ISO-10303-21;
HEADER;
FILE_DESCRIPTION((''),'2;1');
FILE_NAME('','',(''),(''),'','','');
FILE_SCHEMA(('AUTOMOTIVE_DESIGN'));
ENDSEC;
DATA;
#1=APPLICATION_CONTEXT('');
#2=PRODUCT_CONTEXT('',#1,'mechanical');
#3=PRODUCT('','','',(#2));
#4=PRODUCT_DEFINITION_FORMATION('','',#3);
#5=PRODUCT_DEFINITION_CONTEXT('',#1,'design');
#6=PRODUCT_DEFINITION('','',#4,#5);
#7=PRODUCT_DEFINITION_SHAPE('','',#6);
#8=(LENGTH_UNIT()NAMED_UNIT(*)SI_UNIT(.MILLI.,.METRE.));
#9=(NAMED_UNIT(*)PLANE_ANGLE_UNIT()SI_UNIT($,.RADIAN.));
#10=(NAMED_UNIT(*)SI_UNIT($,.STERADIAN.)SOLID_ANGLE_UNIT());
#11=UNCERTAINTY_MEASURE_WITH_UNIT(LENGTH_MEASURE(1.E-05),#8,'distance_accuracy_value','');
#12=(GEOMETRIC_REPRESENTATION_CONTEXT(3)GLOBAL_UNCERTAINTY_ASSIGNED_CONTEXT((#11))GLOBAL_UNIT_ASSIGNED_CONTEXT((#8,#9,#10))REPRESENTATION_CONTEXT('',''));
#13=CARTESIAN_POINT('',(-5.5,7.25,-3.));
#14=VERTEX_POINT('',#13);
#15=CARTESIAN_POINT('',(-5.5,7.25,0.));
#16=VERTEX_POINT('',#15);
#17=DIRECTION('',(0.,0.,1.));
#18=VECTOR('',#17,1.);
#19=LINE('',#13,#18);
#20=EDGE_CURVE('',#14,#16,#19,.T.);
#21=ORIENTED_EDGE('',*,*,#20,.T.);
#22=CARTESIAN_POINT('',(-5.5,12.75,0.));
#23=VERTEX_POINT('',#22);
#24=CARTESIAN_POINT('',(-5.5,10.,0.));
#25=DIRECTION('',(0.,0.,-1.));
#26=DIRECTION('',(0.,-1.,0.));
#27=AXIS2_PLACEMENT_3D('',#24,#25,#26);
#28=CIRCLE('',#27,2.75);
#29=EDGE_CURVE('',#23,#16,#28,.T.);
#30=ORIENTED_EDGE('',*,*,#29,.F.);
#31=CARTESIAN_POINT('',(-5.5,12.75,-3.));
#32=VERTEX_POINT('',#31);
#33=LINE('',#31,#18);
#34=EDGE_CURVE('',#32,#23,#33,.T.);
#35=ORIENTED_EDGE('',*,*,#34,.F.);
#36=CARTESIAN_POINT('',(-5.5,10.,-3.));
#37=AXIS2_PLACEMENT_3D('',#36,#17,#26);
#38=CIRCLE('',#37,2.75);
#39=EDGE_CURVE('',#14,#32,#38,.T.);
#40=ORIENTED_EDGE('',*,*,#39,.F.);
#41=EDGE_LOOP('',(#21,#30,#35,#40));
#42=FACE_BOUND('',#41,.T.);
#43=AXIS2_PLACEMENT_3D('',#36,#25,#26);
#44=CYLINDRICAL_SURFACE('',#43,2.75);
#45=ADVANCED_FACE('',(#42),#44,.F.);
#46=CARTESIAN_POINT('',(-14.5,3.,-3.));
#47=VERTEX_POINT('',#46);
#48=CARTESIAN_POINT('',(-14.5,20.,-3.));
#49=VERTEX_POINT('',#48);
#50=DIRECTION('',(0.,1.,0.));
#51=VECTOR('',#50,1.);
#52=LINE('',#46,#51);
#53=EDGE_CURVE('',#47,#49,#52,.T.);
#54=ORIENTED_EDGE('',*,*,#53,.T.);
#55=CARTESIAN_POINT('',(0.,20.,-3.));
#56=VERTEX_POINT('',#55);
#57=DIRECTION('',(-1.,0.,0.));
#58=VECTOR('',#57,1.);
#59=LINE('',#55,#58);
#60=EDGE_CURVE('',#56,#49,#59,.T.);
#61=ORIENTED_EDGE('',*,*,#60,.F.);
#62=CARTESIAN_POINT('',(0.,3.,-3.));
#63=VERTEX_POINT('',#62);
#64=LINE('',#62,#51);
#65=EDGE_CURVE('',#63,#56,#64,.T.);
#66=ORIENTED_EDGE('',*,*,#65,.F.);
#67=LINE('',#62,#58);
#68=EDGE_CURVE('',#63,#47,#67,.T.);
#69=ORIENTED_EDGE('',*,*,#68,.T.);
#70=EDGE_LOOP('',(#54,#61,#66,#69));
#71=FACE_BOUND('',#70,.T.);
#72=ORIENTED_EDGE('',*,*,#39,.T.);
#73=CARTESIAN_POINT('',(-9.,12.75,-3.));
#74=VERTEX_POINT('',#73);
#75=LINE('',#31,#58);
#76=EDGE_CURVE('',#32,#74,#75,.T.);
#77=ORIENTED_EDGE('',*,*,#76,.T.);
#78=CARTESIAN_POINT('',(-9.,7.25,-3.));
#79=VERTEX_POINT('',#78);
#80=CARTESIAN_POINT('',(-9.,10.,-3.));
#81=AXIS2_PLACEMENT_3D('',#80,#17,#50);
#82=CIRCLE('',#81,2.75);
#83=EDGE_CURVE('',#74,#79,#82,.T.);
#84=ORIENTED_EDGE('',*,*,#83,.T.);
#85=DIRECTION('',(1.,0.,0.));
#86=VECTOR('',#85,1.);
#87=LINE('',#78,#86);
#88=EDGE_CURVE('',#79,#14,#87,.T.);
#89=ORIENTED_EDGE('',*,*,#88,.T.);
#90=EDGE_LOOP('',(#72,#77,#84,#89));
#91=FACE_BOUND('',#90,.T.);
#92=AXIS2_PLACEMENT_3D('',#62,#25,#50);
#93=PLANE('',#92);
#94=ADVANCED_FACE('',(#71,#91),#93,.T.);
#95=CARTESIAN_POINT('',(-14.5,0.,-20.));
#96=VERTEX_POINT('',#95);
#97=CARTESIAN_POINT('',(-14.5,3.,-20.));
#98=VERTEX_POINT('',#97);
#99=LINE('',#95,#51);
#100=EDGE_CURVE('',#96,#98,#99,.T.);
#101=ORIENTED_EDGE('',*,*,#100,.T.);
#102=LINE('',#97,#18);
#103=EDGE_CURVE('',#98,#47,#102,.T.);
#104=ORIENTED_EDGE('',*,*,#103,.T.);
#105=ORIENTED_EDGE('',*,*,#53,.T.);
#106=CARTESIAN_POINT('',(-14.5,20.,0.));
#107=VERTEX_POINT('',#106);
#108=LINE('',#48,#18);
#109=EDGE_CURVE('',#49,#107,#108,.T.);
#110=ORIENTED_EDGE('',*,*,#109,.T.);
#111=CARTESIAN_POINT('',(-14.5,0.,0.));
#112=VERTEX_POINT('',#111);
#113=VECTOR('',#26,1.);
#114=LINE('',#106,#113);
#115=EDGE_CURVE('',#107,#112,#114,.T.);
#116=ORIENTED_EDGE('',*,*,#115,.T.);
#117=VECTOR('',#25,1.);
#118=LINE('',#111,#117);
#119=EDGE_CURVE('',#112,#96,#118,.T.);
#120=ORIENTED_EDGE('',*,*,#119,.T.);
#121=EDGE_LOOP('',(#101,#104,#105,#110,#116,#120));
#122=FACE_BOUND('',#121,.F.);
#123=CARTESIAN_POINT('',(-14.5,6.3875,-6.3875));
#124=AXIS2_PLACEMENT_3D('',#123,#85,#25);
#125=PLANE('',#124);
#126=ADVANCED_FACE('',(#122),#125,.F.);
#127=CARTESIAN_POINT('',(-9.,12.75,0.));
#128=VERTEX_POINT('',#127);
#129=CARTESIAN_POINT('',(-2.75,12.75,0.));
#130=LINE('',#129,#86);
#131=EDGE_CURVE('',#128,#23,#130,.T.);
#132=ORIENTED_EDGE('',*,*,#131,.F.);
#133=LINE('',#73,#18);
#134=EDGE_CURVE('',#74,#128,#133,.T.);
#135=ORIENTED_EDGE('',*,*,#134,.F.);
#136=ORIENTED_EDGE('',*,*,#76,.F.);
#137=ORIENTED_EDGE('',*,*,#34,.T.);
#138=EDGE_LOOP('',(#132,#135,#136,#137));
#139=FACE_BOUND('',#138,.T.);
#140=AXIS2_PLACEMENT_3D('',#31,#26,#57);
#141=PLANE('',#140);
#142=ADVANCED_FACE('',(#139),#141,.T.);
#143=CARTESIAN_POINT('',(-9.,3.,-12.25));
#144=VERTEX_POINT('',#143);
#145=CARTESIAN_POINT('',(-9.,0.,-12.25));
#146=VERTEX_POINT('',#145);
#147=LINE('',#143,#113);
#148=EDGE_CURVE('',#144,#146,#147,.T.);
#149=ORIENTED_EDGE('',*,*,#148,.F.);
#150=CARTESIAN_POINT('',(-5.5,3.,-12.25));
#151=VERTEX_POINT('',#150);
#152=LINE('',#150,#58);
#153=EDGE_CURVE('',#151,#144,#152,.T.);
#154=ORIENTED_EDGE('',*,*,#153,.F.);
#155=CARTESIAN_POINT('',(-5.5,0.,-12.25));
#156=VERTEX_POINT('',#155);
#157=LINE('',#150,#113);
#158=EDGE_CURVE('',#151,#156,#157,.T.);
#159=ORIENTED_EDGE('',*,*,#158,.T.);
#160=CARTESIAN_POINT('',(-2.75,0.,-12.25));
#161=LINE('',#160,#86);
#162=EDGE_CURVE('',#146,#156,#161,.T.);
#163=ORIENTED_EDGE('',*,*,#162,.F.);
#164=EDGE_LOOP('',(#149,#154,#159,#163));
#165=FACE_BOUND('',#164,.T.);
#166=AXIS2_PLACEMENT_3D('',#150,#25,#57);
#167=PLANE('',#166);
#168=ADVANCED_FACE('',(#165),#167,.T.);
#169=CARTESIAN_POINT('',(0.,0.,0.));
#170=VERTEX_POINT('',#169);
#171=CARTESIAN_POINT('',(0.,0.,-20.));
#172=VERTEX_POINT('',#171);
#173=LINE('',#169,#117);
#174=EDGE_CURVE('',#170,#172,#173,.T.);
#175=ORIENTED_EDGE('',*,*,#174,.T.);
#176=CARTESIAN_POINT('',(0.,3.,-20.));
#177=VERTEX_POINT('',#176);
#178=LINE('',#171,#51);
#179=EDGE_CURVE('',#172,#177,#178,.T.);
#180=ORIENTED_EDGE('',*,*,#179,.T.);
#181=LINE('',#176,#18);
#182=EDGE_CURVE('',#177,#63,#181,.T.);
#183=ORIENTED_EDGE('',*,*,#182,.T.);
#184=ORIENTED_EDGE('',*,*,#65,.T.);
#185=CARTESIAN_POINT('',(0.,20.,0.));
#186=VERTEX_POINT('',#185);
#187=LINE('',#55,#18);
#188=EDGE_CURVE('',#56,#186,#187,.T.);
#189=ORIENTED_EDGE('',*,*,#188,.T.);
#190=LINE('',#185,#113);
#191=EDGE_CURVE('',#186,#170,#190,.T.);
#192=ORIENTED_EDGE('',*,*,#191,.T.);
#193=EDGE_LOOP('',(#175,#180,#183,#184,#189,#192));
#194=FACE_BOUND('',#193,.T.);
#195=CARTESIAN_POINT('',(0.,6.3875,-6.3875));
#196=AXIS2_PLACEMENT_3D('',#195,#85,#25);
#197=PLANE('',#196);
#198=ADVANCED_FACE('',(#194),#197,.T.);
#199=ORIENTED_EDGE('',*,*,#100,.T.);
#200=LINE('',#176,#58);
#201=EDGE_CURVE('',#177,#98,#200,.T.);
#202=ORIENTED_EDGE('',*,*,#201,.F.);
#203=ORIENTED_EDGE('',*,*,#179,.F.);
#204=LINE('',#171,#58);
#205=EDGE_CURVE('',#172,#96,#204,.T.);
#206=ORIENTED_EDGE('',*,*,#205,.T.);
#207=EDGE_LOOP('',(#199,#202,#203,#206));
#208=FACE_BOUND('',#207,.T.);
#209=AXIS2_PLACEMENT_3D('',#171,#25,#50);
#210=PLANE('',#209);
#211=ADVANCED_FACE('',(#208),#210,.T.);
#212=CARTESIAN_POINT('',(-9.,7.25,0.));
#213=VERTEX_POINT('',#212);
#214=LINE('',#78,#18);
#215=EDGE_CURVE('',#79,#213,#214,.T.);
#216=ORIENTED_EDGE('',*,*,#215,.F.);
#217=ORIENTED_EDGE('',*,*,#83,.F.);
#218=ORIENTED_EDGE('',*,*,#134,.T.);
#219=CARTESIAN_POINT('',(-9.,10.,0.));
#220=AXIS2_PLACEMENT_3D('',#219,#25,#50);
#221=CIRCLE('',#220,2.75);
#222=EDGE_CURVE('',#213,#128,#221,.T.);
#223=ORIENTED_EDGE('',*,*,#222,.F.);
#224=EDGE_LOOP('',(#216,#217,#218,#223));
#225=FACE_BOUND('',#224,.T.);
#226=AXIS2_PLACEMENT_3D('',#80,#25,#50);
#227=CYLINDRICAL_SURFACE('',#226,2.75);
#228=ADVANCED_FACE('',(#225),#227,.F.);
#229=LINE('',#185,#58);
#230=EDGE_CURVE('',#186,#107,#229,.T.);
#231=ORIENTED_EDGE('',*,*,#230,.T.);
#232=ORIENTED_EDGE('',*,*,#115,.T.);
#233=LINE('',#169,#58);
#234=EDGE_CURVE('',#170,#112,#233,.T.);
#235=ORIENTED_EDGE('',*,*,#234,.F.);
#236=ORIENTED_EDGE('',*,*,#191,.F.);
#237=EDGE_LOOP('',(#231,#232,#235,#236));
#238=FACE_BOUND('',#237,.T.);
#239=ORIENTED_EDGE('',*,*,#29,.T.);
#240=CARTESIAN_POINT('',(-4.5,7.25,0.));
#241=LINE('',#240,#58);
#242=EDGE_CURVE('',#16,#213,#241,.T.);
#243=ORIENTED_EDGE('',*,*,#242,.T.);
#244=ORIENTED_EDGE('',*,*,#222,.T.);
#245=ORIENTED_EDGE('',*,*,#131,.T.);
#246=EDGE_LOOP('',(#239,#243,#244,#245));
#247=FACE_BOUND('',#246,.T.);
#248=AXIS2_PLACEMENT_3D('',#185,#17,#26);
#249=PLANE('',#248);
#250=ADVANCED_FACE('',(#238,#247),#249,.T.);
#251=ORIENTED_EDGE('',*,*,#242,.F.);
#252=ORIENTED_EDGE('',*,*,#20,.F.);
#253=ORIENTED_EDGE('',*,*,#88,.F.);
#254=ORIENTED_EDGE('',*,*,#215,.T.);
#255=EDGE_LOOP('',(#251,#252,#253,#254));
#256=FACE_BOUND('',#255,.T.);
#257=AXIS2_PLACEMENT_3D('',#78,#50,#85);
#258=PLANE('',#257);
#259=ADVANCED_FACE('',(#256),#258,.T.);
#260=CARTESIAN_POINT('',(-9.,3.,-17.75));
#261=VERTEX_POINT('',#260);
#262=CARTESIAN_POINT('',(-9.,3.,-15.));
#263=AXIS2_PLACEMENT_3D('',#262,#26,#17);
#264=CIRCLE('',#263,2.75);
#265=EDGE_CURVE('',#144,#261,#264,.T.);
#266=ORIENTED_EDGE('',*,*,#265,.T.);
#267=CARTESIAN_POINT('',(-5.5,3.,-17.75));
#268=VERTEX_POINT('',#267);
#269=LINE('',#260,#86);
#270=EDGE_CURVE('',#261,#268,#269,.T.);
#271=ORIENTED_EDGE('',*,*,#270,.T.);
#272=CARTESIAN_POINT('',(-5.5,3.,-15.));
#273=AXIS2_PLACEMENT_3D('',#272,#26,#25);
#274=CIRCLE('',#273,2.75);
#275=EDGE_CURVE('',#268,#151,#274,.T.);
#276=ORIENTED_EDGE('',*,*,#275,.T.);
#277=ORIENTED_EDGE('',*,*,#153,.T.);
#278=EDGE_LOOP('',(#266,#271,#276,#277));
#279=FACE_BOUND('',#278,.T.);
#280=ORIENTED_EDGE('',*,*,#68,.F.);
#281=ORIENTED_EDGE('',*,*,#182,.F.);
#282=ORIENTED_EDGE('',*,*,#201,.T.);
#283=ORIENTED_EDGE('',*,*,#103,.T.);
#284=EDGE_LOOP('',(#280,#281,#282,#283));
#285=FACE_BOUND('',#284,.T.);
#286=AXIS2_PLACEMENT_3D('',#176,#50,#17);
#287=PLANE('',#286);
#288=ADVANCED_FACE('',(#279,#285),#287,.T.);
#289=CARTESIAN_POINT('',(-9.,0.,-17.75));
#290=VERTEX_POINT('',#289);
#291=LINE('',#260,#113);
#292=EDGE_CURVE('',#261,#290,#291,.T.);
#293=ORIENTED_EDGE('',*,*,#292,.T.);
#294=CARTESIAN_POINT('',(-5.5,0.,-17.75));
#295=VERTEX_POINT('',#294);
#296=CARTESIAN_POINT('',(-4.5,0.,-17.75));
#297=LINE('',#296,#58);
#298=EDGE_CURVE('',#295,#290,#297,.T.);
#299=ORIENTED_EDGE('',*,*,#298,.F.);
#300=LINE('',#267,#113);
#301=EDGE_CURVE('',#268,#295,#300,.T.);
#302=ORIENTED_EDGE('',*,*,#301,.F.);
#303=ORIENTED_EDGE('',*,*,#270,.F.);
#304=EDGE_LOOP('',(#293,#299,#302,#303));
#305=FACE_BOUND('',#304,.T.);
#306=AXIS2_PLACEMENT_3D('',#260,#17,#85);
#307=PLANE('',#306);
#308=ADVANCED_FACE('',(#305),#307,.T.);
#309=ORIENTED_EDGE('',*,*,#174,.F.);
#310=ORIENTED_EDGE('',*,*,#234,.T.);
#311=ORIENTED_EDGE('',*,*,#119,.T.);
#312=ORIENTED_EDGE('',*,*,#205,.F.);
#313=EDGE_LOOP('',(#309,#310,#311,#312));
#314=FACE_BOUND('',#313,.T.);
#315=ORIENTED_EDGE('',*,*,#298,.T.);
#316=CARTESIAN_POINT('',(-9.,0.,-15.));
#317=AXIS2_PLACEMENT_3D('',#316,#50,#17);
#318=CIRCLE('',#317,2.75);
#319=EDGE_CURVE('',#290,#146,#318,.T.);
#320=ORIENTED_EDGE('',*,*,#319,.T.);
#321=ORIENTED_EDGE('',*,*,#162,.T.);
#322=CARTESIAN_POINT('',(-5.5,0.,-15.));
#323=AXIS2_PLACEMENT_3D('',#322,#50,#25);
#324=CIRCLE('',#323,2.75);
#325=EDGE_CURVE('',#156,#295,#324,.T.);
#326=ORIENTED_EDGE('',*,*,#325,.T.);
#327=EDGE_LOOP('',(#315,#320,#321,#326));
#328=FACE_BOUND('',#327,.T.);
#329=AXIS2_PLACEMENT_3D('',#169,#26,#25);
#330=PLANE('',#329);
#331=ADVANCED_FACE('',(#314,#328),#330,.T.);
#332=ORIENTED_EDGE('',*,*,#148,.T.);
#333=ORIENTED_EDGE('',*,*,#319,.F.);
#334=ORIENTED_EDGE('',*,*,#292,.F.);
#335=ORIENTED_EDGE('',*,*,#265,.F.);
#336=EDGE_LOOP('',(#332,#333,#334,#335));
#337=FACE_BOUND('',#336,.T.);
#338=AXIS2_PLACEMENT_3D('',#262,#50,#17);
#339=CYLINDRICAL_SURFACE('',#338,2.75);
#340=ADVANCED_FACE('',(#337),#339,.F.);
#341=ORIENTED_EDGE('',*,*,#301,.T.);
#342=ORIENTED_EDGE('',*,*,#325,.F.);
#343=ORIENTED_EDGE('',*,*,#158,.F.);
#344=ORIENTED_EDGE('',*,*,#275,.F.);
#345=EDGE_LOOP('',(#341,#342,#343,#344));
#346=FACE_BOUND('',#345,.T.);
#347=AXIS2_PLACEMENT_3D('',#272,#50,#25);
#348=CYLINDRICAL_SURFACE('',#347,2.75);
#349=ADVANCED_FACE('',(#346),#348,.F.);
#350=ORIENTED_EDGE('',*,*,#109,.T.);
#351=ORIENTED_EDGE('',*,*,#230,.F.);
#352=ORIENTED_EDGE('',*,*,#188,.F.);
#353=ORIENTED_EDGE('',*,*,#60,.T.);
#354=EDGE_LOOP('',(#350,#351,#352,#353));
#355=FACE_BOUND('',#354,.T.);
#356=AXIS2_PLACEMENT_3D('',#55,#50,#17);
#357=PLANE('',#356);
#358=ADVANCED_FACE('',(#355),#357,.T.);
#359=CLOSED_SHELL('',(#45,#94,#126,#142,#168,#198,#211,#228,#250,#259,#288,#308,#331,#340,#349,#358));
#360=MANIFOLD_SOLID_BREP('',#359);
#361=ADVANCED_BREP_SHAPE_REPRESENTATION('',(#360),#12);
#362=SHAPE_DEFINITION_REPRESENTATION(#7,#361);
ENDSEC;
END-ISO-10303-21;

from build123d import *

# Parameters (mm, degrees)
BOSS_EXTRUDE1_DEPTH = 14.5
CUT_EXTRUDE1_DEPTH  = 4
CUT_EXTRUDE2_DEPTH  = 4


with BuildPart() as part:
    # Sketch1 → Boss-Extrude1 (new body)
    with BuildSketch(Plane(origin=(0, 0, 0), x_dir=(0, 0, -1), z_dir=(1, 0, 0))):
        Polygon((0, 20), (0, 0), (20, 0), (20, 3), (3, 3), (3, 20), align=None)
    extrude(amount=-BOSS_EXTRUDE1_DEPTH)

    # Sketch2 → Cut-Extrude1 (cut, through all)
    with BuildSketch(Plane(origin=(0, 0, -3), x_dir=(-1, 0, 0), z_dir=(0, 0, -1))):
        with BuildLine():
            Line((5.5, 12.75), (9, 12.75))
            ThreePointArc((9, 12.75), (11.75, 10), (9, 7.25))
            Line((9, 7.25), (5.5, 7.25))
            ThreePointArc((5.5, 7.25), (2.75, 10), (5.5, 12.75))
        make_face()
    extrude(amount=-CUT_EXTRUDE1_DEPTH, mode=Mode.SUBTRACT)

    # Sketch3 → Cut-Extrude2 (cut, through all)
    with BuildSketch(Plane(origin=(0, 3, 0), x_dir=(1, 0, 0), z_dir=(0, 1, 0))):
        with BuildLine():
            Line((-5.5, 12.25), (-9, 12.25))
            ThreePointArc((-9, 12.25), (-11.75, 15), (-9, 17.75))
            Line((-9, 17.75), (-5.5, 17.75))
            ThreePointArc((-5.5, 17.75), (-2.75, 15), (-5.5, 12.25))
        make_face()
    extrude(amount=-CUT_EXTRUDE2_DEPTH, mode=Mode.SUBTRACT)


solid = part.part
